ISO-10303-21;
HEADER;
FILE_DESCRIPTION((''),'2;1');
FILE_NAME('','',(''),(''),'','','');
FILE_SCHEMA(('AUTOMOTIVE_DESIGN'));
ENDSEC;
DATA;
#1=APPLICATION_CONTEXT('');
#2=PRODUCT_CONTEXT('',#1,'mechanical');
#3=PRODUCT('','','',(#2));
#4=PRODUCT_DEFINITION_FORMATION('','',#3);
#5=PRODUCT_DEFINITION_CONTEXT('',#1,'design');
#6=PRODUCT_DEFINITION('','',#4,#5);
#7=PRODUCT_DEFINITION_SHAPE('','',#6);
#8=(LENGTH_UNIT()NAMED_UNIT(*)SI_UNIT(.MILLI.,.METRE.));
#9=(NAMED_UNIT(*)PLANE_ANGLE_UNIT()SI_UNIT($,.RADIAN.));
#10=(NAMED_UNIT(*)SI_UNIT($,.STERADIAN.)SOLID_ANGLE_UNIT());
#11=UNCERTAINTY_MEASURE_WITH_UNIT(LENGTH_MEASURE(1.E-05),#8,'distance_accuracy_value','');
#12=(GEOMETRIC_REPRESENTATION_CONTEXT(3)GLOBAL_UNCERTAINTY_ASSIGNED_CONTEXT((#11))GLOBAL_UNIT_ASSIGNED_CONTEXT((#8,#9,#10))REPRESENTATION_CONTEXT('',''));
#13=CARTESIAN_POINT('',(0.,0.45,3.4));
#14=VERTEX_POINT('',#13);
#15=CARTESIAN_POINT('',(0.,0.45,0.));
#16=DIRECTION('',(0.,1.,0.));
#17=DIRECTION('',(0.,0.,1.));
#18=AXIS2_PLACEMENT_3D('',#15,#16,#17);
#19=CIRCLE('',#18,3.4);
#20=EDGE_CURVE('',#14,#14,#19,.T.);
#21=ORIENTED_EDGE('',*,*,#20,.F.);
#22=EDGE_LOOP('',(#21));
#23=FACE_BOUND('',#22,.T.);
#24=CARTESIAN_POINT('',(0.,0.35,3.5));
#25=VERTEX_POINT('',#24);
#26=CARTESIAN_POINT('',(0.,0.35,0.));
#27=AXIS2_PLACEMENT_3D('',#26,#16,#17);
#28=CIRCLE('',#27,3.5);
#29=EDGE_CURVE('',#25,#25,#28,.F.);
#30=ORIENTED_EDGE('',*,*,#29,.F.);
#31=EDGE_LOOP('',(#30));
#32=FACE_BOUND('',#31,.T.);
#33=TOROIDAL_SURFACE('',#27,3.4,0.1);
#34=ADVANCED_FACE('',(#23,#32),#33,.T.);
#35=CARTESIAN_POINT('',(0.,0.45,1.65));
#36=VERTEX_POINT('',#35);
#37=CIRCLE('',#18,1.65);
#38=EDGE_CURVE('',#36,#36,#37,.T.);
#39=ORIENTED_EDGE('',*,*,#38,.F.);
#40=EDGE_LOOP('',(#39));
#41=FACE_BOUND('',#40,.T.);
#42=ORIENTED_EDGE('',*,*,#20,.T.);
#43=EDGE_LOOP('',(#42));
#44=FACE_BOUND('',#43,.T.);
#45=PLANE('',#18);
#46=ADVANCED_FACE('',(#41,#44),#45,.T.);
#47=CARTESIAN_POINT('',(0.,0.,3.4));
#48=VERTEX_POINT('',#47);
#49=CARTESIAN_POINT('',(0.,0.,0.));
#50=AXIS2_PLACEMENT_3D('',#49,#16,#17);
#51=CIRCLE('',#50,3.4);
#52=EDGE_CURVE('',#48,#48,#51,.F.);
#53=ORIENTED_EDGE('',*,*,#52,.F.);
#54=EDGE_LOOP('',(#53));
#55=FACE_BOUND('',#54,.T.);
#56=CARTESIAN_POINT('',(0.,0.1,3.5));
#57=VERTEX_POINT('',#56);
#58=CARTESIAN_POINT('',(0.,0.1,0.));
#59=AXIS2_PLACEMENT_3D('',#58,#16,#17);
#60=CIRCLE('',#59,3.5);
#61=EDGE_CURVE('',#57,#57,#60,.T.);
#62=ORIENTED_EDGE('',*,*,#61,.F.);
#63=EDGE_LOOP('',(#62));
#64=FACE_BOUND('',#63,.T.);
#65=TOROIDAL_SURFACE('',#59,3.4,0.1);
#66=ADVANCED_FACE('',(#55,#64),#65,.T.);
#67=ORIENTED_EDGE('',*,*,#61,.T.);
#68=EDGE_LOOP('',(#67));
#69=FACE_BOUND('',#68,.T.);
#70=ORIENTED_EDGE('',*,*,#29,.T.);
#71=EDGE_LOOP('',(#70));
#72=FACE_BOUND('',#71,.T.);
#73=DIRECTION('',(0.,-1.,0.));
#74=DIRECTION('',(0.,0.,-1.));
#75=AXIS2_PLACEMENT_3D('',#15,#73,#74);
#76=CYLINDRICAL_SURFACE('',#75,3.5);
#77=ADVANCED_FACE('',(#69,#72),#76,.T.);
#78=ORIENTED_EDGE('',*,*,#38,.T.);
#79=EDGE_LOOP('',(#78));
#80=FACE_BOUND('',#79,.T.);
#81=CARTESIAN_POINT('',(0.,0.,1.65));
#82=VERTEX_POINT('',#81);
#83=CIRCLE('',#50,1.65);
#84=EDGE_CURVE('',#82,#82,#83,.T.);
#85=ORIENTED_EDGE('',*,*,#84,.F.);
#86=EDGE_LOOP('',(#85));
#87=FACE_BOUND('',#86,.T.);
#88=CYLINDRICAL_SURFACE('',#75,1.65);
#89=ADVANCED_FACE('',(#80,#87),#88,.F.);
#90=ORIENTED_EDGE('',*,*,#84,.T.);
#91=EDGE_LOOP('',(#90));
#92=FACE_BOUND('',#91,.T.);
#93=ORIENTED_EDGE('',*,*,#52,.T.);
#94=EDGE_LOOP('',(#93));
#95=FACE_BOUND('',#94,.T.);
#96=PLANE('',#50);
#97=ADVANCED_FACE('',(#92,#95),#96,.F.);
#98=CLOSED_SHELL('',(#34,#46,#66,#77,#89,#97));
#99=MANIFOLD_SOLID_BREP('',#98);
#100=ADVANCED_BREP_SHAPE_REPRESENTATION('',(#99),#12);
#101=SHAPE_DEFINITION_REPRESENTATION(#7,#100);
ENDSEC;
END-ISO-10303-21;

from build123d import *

# Parameters (mm, degrees)
SKETCH2_R           = 3.5
SKETCH2_R_2         = 1.65
BOSS_EXTRUDE1_DEPTH = 0.45
FILLET1_R           = 0.1


with BuildPart() as part:
    # Sketch2 → Boss-Extrude1 (new body)
    with BuildSketch(Plane(origin=(0, 0, 0), x_dir=(1, 0, 0), z_dir=(0, 1, 0))):
        with Locations(Location((0, 0, 0), (0, 0, 270))):
            Circle(SKETCH2_R)
        with Locations(Location((0, 0, 0), (0, 0, 270))):
            Circle(SKETCH2_R_2, mode=Mode.SUBTRACT)
    extrude(amount=BOSS_EXTRUDE1_DEPTH)

    # Fillet1
    fillet1_edges = [part.edges().sort_by_distance(p)[0] for p in [
        (0, 0, -3.5),
        (0, 0.45, -3.5),
    ]]
    fillet(fillet1_edges, radius=FILLET1_R)


solid = part.part
